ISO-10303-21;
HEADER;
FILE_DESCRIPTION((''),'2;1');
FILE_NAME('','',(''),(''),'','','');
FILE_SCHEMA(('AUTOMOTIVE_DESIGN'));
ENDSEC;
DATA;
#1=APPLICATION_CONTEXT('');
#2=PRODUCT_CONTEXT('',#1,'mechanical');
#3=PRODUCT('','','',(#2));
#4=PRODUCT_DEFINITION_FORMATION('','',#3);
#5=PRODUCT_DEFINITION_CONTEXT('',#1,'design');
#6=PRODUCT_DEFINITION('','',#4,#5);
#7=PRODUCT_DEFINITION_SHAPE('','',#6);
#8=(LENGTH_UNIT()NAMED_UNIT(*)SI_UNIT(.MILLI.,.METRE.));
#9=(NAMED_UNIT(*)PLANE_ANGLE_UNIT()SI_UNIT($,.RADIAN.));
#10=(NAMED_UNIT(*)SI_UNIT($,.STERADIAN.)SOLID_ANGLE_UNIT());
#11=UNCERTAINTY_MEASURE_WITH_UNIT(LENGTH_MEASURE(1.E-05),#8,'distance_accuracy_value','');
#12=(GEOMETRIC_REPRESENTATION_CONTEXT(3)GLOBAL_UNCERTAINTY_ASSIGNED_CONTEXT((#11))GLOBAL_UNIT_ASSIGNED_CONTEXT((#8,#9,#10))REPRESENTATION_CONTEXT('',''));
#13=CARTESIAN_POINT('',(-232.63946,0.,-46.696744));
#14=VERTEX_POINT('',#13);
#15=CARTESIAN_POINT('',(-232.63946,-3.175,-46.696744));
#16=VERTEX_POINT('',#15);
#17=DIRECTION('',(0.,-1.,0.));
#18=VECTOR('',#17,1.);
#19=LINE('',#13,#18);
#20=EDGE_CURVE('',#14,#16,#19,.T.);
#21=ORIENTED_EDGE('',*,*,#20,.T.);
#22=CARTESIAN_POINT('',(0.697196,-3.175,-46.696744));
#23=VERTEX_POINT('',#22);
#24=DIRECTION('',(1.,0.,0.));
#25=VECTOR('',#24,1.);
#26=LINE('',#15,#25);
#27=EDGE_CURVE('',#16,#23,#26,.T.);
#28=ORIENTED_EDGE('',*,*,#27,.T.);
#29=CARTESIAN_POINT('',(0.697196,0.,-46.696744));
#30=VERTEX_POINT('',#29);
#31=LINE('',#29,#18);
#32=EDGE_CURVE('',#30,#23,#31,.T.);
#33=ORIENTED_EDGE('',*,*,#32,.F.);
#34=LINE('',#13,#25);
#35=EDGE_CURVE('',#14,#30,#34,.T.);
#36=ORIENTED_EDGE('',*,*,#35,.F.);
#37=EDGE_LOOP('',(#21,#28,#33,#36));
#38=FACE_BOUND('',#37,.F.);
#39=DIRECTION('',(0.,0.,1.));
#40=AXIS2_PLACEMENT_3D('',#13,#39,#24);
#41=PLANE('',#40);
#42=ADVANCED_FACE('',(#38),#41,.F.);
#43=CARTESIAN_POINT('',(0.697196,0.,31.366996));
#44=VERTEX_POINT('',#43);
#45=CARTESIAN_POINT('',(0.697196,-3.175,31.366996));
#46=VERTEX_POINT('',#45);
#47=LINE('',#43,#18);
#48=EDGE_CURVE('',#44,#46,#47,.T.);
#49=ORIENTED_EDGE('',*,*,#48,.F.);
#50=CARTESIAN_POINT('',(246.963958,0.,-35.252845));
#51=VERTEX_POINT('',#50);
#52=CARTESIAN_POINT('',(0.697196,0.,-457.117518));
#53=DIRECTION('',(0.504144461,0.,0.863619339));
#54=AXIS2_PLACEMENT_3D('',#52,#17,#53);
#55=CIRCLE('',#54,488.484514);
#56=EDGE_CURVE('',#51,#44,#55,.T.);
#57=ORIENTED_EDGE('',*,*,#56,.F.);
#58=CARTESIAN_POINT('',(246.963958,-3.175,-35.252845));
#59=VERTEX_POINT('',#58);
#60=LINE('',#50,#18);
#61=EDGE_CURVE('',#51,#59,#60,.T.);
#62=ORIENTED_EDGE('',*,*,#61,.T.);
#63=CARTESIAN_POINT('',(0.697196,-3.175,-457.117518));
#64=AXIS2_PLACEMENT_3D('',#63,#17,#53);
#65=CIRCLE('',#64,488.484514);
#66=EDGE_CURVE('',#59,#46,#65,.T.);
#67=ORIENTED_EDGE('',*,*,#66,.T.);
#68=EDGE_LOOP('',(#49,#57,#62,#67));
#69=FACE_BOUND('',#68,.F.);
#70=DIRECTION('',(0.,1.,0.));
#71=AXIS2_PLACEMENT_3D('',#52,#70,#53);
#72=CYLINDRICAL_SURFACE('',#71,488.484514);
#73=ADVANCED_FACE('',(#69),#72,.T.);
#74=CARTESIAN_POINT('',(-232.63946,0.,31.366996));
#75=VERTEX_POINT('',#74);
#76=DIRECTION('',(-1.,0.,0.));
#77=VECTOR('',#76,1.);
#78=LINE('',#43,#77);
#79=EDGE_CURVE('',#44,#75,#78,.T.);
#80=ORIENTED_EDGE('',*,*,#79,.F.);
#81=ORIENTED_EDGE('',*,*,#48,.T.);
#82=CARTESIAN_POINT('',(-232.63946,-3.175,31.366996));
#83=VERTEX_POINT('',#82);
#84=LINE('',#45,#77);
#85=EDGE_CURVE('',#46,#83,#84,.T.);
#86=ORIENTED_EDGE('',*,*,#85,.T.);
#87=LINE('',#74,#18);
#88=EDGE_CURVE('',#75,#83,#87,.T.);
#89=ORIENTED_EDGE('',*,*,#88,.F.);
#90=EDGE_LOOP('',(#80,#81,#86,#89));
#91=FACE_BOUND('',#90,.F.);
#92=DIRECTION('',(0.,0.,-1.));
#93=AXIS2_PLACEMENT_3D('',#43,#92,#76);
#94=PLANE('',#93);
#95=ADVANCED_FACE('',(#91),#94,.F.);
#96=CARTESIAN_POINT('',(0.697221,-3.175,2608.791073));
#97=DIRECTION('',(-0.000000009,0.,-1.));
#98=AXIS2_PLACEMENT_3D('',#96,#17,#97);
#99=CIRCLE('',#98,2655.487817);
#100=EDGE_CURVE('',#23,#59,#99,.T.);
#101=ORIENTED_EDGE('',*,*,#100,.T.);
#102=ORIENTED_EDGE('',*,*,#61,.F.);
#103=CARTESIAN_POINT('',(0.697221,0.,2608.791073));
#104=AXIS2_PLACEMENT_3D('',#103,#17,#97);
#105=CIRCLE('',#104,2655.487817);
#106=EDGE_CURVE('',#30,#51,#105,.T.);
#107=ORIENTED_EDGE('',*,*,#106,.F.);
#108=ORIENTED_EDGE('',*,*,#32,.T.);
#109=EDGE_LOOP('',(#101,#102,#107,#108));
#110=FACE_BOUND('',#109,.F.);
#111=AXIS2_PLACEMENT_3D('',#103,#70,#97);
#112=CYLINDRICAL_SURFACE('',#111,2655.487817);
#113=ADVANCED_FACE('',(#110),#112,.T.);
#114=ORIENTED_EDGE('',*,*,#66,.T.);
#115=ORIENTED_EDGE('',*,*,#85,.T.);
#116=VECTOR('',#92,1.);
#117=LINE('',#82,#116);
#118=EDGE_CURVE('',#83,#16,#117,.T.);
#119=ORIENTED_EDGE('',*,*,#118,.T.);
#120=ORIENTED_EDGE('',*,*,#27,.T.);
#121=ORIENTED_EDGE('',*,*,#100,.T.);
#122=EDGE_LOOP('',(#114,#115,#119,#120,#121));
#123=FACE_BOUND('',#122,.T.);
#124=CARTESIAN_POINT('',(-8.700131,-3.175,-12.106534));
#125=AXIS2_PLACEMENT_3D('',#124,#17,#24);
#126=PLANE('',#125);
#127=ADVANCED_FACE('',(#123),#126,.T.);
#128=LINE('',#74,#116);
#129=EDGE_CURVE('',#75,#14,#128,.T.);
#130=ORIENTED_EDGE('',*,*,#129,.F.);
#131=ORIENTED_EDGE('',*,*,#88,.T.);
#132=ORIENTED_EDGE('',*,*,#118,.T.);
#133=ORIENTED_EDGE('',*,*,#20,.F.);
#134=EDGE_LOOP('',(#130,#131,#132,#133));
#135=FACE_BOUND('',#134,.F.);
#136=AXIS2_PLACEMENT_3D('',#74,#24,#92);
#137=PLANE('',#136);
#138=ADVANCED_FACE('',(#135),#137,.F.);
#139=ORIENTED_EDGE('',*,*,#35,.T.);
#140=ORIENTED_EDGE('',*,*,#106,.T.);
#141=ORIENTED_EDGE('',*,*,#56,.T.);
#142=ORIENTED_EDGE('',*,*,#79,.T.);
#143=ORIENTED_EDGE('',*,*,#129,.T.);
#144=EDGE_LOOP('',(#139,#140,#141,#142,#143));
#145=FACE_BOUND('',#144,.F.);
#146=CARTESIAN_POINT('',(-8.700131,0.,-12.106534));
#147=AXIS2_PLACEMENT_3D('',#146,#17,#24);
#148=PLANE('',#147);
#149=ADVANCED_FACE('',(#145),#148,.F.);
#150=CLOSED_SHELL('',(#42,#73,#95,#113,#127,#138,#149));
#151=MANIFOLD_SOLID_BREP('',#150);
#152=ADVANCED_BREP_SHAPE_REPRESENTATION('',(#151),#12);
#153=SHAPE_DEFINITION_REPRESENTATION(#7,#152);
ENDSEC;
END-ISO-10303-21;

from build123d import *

# Parameters (mm, degrees)
F1_DEPTH = 3.175


with BuildPart() as f1:
    # F0 (on Front) → F1 (new body)
    with BuildSketch(Plane.XZ):
        with BuildLine():
            Line((0.697196, 31.366996), (-232.63946, 31.366996))
            Line((-232.63946, 31.366996), (-232.63946, -46.696744))
            Line((-232.63946, -46.696744), (0.697196, -46.696744))
            ThreePointArc((0.697196, -46.696744), (123.963453, -43.834227), (246.963958, -35.252845))
            ThreePointArc((246.963958, -35.252845), (128.256517, 14.417995), (0.697196, 31.366996))
        make_face()
    extrude(amount=F1_DEPTH)


solid = f1.part
